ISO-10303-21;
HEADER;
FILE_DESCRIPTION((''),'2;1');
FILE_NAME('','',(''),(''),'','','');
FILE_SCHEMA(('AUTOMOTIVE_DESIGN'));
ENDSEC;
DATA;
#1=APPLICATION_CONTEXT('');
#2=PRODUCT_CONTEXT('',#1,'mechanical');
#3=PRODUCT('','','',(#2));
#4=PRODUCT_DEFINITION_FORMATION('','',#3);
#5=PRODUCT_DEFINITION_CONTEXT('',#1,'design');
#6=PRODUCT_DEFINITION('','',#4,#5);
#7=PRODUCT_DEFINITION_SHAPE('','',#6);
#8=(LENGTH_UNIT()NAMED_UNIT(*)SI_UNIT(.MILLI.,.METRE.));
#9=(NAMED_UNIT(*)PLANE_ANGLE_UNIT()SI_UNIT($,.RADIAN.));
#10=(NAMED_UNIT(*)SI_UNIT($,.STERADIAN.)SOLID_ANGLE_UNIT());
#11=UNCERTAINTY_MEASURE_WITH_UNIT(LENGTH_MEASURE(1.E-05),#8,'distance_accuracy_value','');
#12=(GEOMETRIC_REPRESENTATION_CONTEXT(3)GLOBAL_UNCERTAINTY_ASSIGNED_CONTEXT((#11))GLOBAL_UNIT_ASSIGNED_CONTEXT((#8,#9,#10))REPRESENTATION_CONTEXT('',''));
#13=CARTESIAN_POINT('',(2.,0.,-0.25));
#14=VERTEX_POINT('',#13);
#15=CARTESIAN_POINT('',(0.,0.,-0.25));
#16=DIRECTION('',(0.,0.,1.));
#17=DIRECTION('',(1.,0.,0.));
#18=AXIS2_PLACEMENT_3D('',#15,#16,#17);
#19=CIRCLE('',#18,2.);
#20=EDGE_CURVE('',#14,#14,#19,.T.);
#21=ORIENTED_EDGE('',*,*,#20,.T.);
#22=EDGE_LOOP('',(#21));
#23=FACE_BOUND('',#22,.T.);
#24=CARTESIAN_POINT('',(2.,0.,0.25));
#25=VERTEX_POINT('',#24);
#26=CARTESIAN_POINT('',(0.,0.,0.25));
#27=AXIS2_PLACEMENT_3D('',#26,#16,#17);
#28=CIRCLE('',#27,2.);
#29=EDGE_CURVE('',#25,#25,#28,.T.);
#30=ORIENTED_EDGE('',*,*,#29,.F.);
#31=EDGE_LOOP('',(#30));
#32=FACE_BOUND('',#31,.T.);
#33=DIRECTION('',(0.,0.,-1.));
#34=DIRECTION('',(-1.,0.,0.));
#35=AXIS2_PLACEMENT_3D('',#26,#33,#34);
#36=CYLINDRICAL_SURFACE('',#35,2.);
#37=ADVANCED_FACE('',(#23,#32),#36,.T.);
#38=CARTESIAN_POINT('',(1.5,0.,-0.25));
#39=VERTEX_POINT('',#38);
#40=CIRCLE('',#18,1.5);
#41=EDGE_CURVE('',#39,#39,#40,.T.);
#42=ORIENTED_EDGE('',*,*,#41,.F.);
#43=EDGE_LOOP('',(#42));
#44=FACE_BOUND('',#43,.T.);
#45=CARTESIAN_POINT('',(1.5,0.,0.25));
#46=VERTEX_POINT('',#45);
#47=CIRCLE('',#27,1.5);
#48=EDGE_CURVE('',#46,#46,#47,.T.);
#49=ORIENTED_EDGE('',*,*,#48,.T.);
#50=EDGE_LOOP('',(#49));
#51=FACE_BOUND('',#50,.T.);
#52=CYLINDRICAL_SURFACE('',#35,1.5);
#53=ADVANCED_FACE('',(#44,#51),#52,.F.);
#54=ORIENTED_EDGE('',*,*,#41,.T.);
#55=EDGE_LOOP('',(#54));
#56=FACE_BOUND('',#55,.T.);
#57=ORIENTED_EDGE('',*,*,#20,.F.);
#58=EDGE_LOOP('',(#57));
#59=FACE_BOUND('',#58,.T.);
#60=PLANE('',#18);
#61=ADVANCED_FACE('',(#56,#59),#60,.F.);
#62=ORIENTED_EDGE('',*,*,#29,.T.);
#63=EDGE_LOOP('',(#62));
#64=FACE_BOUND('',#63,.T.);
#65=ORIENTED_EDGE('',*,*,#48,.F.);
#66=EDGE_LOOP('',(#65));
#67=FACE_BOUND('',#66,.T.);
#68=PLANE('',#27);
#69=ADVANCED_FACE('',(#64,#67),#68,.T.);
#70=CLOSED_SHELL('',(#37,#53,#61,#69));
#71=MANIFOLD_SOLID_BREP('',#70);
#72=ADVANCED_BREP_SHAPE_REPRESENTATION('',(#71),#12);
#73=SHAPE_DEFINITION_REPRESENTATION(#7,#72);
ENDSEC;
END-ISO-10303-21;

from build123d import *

# Parameters (mm, degrees)
ESQUISSE1_R      = 2
ESQUISSE1_R_2    = 1.5
EXTRUSION1_DEPTH = 0.25


with BuildPart() as part:
    # Esquisse1 → Extrusion1 (new, symmetric)
    with BuildSketch(Plane.XY):
        Circle(ESQUISSE1_R)
        Circle(ESQUISSE1_R_2, mode=Mode.SUBTRACT)
    extrude(amount=EXTRUSION1_DEPTH, both=True)


solid = part.part
